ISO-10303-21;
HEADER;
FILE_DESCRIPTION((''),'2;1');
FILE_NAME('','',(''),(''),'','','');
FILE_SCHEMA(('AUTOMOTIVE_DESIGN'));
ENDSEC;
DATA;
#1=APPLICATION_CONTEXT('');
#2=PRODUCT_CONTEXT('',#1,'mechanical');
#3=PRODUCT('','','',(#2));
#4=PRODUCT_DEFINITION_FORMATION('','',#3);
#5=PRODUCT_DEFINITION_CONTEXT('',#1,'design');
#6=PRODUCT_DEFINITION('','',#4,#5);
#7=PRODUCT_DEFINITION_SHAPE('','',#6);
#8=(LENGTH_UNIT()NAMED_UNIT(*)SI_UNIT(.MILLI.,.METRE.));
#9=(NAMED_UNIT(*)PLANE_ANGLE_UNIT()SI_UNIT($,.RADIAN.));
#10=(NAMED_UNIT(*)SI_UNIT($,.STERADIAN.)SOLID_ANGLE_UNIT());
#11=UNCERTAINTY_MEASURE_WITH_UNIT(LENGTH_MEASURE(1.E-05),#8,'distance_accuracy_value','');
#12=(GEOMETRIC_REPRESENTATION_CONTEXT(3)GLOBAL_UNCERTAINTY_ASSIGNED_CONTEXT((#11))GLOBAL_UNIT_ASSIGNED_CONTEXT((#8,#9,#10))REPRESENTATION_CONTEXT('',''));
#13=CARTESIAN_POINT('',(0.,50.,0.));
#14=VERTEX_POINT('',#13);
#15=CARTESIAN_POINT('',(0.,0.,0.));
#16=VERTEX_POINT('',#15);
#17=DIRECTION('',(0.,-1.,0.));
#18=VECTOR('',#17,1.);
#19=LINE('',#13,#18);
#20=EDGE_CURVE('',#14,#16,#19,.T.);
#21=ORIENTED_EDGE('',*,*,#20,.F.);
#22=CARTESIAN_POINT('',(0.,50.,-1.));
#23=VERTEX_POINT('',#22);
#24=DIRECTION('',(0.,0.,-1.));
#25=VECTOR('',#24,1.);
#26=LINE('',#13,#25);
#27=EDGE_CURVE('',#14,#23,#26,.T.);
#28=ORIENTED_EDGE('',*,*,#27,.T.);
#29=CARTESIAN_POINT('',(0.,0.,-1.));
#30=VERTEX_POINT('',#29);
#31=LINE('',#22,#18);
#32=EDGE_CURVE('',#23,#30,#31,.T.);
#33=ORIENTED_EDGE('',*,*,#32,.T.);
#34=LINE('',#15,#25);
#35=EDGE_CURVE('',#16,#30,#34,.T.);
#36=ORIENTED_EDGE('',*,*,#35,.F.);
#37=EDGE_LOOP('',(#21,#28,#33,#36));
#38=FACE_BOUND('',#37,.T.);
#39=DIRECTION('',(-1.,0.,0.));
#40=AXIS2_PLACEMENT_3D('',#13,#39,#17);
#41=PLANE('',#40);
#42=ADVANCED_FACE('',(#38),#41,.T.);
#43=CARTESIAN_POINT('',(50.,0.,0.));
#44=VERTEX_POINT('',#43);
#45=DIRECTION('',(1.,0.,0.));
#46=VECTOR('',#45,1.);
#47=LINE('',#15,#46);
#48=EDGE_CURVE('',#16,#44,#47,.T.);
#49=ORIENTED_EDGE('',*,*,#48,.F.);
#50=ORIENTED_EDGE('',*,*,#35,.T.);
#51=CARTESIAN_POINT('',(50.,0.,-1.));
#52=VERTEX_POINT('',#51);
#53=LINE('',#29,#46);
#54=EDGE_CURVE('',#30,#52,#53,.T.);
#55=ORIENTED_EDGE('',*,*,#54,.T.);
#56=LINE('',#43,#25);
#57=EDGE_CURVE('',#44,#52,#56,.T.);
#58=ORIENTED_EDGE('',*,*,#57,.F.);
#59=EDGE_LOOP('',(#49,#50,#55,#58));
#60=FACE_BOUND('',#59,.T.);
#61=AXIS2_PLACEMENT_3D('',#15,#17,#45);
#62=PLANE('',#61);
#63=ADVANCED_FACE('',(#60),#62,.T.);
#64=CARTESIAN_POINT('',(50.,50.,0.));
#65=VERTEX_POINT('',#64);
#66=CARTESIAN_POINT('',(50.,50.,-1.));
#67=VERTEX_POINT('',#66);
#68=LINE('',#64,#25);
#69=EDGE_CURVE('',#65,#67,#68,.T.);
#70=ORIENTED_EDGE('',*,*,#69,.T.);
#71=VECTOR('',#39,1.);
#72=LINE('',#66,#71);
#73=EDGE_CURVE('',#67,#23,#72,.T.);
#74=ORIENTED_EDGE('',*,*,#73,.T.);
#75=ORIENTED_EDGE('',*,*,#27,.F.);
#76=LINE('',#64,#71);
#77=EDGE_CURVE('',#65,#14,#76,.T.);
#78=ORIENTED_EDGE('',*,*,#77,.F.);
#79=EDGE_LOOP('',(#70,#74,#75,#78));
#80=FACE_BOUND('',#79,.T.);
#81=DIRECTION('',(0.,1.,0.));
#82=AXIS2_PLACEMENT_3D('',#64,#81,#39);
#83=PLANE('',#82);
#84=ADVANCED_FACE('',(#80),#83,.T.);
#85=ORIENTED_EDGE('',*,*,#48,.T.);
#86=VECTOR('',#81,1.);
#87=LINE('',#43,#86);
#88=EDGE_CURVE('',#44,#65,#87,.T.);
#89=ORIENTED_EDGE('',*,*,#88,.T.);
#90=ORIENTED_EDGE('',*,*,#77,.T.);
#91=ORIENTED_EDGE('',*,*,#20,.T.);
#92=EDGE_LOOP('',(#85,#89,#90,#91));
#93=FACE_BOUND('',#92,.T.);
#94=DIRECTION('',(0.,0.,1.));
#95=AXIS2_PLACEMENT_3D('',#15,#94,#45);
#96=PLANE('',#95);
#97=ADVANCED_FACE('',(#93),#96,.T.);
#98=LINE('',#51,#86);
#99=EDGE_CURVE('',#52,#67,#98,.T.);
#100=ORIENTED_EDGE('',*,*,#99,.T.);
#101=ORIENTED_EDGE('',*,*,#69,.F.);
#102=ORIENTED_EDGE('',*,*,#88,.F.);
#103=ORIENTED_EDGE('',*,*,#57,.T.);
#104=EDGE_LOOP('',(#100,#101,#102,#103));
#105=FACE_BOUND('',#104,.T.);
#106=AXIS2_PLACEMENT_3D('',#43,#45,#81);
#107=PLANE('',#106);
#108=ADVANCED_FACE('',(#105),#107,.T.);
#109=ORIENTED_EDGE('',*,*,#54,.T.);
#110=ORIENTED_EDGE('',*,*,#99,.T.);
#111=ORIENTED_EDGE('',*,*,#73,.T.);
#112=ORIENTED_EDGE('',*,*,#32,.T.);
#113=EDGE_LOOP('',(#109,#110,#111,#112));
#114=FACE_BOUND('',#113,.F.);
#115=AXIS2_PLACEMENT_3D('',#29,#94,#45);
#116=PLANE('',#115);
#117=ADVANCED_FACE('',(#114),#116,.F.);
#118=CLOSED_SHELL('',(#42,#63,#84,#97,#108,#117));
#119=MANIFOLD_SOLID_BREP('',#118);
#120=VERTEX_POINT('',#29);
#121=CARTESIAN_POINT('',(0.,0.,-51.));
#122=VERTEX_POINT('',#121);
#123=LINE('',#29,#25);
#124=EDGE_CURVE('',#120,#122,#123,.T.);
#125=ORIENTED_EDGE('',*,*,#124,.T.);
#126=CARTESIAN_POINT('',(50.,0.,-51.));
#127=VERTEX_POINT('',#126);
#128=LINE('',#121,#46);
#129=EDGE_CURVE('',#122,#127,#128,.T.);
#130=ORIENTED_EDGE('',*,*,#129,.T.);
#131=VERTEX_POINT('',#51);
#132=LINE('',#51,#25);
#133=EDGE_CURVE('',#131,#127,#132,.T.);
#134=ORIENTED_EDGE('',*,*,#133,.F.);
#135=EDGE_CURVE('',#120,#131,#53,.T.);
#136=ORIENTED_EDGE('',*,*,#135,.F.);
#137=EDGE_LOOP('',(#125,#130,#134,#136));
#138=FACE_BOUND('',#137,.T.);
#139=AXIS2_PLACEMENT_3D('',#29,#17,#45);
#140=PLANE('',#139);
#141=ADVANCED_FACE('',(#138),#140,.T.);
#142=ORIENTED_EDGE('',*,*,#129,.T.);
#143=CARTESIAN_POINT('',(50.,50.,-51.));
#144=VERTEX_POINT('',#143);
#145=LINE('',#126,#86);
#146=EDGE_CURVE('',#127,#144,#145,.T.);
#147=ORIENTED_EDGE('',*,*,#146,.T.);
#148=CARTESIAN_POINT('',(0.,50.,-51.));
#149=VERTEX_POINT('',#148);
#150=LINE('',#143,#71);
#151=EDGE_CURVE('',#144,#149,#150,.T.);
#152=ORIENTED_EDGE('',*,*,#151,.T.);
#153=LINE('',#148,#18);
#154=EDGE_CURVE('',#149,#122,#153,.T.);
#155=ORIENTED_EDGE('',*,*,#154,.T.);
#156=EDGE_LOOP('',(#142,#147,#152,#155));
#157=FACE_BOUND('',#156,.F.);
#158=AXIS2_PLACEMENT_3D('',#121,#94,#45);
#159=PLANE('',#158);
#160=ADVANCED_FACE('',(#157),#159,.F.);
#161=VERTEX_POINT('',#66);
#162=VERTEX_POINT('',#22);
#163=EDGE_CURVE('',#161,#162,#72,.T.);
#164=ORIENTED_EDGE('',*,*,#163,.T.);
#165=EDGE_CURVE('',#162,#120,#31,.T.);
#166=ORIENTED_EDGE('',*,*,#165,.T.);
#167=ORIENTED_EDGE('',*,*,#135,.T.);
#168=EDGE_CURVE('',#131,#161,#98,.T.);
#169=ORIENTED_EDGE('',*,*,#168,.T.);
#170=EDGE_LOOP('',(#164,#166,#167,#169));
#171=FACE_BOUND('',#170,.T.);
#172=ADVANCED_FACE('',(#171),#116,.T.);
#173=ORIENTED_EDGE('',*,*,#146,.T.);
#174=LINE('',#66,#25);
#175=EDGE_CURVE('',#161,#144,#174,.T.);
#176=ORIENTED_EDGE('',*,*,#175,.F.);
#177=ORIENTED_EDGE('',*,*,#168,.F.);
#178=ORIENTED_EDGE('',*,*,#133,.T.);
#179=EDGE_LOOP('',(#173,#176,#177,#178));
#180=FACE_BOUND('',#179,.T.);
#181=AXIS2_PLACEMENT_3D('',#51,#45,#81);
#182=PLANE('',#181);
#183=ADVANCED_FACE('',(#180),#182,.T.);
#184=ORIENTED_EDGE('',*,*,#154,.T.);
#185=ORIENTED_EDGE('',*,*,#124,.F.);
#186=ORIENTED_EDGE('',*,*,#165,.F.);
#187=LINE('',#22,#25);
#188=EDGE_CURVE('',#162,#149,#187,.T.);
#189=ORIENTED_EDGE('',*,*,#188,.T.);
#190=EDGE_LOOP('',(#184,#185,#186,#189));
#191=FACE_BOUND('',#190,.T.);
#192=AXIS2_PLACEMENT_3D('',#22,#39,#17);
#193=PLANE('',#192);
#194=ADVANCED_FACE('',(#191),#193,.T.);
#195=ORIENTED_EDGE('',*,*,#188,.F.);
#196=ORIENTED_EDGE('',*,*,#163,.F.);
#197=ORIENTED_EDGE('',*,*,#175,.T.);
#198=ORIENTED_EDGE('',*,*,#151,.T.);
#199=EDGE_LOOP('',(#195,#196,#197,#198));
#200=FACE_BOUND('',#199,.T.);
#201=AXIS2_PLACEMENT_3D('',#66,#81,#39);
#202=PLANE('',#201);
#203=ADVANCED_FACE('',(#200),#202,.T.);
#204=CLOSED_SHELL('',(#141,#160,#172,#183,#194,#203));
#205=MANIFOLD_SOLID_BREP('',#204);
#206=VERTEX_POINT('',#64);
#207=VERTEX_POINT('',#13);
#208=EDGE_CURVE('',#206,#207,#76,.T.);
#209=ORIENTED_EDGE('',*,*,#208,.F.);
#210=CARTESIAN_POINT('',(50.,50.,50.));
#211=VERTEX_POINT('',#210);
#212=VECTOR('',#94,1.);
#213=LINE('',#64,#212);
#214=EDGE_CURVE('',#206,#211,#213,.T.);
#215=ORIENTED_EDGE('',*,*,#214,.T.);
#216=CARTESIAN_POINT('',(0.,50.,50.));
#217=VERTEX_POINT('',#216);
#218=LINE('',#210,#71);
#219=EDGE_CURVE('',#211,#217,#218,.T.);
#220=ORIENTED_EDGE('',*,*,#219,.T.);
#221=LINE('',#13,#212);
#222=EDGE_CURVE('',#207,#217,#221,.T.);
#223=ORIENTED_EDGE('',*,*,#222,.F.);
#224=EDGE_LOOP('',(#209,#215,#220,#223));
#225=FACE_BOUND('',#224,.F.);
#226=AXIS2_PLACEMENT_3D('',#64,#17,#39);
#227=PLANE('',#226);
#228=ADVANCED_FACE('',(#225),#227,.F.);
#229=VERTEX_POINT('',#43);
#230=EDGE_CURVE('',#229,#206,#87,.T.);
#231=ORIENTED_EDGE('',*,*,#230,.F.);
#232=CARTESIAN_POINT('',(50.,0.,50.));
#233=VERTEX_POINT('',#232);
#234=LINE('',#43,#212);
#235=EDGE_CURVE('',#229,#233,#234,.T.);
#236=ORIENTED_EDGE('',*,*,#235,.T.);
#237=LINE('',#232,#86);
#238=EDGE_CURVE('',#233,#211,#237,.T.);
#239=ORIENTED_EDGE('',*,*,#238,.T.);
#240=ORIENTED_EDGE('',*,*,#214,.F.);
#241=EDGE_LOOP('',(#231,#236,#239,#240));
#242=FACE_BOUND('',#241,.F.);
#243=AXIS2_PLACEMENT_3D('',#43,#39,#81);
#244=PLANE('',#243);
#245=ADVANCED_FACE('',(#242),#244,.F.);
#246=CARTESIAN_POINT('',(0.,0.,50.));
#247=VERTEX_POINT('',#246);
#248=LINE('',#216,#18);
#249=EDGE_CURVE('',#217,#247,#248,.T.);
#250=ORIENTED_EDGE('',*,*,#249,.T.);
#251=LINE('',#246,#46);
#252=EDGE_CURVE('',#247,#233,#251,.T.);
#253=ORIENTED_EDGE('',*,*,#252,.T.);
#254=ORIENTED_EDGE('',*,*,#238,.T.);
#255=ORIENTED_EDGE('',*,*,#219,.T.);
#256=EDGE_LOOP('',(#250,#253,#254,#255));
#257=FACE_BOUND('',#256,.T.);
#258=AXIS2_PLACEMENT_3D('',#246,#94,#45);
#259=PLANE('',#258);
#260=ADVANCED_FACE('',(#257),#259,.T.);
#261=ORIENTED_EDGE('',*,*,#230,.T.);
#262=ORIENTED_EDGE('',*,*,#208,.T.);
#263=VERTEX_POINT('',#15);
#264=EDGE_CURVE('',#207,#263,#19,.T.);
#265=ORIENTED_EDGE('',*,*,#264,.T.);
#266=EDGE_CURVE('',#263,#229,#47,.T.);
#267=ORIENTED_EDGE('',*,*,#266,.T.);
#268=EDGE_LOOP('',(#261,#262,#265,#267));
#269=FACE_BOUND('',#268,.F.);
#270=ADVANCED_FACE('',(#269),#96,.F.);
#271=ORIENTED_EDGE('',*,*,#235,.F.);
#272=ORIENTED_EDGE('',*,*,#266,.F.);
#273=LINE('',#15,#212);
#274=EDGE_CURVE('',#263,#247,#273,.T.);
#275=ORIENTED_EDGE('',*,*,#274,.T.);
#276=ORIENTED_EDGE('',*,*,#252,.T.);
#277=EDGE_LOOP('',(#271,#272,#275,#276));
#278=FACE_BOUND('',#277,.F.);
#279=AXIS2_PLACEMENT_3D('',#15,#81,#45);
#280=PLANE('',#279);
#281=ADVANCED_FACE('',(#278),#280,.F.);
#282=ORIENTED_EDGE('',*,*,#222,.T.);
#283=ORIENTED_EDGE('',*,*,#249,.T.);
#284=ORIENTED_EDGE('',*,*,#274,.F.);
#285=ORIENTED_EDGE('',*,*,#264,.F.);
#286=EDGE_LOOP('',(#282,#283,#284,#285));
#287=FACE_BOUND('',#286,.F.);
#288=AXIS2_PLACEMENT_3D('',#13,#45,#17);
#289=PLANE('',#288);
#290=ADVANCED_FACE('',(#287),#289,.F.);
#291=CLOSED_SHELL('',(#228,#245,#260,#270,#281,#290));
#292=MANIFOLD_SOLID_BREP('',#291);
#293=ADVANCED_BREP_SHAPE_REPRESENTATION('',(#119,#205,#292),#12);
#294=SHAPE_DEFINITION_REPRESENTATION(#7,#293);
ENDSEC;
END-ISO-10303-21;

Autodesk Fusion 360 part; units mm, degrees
sketch "Skizze1" plane through (0, 0, 0) normal (0, 0, 1) x (1, 0, 0)
  line L0 (0, 0) -> (50, 0)
  line L1 (50, 0) -> (50, 50)
  line L2 (50, 50) -> (0, 50)
  line L3 (0, 50) -> (0, 0)
extrude "Extrusion1" add sketch "Skizze1" along normal blind 50 makes body 1
copy_body "Körper->Berechn1" bodies 1 removing the originals makes body 2 in component "Big Stone"
extrude "Extrusion1'" add sketch "Skizze1" against normal blind 1 separate body makes body 3 in component "Ground"
extrude "Extrusion1''" add 1 faces at (16.6667, 33.3333, -1) along direction (0, 0, -1) blind 50 separate body on bodies 3 makes body 4 in component "Ground below"
component "Big Stone" placed x (1, 0, 0) y (0, 1, 0) z (0, 0, 1) at (0, 0, 0)
component "Ground" placed x (1, 0, 0) y (0, 1, 0) z (0, 0, 1) at (0, 0, 0)
component "Ground below" placed x (1, 0, 0) y (0, 1, 0) z (0, 0, 1) at (0, 0, 0)
